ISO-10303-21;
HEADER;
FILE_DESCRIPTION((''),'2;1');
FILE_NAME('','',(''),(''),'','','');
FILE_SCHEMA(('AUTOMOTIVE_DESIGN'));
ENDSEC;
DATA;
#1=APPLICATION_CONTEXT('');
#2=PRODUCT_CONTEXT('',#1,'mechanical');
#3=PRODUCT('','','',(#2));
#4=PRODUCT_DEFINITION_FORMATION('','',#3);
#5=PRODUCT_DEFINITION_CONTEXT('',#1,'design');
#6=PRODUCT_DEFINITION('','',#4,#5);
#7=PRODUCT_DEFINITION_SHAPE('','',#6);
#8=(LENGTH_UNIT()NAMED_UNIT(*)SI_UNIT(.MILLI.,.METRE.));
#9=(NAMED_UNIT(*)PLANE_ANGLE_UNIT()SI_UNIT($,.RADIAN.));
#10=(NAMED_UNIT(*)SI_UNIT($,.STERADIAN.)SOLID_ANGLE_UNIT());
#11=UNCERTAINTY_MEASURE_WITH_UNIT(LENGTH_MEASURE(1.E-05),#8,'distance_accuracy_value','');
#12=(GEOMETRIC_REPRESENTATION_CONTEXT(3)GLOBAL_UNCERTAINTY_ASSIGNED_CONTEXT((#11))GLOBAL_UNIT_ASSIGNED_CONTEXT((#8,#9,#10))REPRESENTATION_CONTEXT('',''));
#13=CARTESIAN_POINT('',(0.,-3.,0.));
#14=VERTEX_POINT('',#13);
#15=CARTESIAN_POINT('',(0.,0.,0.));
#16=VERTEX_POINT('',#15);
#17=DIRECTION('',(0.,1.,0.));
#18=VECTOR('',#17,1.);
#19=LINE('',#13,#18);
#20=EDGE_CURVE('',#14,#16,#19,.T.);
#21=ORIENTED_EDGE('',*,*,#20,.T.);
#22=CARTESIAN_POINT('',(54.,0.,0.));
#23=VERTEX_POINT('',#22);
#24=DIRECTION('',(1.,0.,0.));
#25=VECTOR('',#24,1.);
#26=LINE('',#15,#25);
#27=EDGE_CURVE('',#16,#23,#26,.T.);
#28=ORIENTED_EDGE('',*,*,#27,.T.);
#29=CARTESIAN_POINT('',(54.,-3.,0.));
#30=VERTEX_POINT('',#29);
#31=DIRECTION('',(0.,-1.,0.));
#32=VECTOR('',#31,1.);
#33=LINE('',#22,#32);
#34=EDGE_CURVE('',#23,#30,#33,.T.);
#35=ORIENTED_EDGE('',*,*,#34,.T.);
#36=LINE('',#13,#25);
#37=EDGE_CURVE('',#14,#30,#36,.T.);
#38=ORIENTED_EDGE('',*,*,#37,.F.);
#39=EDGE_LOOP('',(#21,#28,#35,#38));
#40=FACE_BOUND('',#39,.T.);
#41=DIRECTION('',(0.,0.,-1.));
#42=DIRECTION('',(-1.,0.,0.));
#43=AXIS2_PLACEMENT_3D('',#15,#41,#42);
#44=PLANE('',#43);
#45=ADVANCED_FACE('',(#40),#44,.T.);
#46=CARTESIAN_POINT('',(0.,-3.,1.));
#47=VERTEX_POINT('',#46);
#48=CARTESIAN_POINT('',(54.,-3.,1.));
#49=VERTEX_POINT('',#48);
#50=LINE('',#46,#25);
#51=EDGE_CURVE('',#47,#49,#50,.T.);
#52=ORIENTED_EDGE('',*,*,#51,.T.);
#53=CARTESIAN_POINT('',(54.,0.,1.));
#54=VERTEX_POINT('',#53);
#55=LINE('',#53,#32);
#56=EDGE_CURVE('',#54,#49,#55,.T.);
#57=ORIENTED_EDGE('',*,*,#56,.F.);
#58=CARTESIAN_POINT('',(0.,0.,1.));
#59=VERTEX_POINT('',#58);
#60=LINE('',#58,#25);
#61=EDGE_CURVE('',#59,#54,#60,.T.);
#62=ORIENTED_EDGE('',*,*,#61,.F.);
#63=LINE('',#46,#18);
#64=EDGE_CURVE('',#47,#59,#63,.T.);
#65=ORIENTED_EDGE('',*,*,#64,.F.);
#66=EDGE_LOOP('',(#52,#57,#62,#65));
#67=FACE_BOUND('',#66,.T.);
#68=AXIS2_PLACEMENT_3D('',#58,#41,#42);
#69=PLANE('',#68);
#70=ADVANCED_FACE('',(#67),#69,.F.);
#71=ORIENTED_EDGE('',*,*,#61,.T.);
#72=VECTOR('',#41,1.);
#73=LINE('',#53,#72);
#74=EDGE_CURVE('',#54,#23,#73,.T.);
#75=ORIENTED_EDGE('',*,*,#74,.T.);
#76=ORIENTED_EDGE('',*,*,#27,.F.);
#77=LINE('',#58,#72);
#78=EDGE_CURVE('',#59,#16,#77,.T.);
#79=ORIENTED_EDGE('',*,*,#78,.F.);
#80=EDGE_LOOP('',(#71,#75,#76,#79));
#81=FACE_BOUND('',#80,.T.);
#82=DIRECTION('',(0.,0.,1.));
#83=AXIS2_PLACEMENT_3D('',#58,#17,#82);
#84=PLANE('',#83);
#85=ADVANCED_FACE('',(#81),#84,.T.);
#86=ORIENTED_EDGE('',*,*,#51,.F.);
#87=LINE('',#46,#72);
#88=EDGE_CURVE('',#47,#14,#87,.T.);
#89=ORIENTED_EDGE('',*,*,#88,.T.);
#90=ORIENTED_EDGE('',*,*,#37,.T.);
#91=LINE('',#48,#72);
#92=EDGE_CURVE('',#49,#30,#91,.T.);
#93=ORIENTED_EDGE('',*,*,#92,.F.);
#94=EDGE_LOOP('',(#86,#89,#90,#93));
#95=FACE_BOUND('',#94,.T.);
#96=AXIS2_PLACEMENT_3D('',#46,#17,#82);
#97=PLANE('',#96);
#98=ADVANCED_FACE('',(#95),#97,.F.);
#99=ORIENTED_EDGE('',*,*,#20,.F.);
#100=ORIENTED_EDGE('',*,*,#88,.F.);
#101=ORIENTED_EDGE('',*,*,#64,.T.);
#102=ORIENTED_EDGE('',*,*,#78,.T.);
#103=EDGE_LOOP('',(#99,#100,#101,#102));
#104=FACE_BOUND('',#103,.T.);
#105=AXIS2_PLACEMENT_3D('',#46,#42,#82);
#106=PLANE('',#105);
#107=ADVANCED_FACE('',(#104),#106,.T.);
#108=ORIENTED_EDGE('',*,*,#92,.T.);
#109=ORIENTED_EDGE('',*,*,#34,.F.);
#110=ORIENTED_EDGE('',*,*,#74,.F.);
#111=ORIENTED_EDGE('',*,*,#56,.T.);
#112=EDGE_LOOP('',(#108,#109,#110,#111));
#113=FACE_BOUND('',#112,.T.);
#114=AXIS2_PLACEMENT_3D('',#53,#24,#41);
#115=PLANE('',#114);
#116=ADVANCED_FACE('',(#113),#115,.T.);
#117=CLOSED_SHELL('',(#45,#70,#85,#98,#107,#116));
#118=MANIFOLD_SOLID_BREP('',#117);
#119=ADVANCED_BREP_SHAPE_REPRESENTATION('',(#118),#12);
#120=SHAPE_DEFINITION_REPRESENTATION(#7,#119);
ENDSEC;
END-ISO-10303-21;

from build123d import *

# Parameters (mm, degrees)
SKETCH_1_W      = 54
SKETCH_1_H      = 3
EXTRUDE_1_DEPTH = 1


with BuildPart() as part:
    # 草图1 → 拉伸-薄壁1 (new body)
    with BuildSketch(Plane.XY):
        with Locations((27, -1.5)):
            Rectangle(SKETCH_1_W, SKETCH_1_H)
    extrude(amount=EXTRUDE_1_DEPTH)


solid = part.part
